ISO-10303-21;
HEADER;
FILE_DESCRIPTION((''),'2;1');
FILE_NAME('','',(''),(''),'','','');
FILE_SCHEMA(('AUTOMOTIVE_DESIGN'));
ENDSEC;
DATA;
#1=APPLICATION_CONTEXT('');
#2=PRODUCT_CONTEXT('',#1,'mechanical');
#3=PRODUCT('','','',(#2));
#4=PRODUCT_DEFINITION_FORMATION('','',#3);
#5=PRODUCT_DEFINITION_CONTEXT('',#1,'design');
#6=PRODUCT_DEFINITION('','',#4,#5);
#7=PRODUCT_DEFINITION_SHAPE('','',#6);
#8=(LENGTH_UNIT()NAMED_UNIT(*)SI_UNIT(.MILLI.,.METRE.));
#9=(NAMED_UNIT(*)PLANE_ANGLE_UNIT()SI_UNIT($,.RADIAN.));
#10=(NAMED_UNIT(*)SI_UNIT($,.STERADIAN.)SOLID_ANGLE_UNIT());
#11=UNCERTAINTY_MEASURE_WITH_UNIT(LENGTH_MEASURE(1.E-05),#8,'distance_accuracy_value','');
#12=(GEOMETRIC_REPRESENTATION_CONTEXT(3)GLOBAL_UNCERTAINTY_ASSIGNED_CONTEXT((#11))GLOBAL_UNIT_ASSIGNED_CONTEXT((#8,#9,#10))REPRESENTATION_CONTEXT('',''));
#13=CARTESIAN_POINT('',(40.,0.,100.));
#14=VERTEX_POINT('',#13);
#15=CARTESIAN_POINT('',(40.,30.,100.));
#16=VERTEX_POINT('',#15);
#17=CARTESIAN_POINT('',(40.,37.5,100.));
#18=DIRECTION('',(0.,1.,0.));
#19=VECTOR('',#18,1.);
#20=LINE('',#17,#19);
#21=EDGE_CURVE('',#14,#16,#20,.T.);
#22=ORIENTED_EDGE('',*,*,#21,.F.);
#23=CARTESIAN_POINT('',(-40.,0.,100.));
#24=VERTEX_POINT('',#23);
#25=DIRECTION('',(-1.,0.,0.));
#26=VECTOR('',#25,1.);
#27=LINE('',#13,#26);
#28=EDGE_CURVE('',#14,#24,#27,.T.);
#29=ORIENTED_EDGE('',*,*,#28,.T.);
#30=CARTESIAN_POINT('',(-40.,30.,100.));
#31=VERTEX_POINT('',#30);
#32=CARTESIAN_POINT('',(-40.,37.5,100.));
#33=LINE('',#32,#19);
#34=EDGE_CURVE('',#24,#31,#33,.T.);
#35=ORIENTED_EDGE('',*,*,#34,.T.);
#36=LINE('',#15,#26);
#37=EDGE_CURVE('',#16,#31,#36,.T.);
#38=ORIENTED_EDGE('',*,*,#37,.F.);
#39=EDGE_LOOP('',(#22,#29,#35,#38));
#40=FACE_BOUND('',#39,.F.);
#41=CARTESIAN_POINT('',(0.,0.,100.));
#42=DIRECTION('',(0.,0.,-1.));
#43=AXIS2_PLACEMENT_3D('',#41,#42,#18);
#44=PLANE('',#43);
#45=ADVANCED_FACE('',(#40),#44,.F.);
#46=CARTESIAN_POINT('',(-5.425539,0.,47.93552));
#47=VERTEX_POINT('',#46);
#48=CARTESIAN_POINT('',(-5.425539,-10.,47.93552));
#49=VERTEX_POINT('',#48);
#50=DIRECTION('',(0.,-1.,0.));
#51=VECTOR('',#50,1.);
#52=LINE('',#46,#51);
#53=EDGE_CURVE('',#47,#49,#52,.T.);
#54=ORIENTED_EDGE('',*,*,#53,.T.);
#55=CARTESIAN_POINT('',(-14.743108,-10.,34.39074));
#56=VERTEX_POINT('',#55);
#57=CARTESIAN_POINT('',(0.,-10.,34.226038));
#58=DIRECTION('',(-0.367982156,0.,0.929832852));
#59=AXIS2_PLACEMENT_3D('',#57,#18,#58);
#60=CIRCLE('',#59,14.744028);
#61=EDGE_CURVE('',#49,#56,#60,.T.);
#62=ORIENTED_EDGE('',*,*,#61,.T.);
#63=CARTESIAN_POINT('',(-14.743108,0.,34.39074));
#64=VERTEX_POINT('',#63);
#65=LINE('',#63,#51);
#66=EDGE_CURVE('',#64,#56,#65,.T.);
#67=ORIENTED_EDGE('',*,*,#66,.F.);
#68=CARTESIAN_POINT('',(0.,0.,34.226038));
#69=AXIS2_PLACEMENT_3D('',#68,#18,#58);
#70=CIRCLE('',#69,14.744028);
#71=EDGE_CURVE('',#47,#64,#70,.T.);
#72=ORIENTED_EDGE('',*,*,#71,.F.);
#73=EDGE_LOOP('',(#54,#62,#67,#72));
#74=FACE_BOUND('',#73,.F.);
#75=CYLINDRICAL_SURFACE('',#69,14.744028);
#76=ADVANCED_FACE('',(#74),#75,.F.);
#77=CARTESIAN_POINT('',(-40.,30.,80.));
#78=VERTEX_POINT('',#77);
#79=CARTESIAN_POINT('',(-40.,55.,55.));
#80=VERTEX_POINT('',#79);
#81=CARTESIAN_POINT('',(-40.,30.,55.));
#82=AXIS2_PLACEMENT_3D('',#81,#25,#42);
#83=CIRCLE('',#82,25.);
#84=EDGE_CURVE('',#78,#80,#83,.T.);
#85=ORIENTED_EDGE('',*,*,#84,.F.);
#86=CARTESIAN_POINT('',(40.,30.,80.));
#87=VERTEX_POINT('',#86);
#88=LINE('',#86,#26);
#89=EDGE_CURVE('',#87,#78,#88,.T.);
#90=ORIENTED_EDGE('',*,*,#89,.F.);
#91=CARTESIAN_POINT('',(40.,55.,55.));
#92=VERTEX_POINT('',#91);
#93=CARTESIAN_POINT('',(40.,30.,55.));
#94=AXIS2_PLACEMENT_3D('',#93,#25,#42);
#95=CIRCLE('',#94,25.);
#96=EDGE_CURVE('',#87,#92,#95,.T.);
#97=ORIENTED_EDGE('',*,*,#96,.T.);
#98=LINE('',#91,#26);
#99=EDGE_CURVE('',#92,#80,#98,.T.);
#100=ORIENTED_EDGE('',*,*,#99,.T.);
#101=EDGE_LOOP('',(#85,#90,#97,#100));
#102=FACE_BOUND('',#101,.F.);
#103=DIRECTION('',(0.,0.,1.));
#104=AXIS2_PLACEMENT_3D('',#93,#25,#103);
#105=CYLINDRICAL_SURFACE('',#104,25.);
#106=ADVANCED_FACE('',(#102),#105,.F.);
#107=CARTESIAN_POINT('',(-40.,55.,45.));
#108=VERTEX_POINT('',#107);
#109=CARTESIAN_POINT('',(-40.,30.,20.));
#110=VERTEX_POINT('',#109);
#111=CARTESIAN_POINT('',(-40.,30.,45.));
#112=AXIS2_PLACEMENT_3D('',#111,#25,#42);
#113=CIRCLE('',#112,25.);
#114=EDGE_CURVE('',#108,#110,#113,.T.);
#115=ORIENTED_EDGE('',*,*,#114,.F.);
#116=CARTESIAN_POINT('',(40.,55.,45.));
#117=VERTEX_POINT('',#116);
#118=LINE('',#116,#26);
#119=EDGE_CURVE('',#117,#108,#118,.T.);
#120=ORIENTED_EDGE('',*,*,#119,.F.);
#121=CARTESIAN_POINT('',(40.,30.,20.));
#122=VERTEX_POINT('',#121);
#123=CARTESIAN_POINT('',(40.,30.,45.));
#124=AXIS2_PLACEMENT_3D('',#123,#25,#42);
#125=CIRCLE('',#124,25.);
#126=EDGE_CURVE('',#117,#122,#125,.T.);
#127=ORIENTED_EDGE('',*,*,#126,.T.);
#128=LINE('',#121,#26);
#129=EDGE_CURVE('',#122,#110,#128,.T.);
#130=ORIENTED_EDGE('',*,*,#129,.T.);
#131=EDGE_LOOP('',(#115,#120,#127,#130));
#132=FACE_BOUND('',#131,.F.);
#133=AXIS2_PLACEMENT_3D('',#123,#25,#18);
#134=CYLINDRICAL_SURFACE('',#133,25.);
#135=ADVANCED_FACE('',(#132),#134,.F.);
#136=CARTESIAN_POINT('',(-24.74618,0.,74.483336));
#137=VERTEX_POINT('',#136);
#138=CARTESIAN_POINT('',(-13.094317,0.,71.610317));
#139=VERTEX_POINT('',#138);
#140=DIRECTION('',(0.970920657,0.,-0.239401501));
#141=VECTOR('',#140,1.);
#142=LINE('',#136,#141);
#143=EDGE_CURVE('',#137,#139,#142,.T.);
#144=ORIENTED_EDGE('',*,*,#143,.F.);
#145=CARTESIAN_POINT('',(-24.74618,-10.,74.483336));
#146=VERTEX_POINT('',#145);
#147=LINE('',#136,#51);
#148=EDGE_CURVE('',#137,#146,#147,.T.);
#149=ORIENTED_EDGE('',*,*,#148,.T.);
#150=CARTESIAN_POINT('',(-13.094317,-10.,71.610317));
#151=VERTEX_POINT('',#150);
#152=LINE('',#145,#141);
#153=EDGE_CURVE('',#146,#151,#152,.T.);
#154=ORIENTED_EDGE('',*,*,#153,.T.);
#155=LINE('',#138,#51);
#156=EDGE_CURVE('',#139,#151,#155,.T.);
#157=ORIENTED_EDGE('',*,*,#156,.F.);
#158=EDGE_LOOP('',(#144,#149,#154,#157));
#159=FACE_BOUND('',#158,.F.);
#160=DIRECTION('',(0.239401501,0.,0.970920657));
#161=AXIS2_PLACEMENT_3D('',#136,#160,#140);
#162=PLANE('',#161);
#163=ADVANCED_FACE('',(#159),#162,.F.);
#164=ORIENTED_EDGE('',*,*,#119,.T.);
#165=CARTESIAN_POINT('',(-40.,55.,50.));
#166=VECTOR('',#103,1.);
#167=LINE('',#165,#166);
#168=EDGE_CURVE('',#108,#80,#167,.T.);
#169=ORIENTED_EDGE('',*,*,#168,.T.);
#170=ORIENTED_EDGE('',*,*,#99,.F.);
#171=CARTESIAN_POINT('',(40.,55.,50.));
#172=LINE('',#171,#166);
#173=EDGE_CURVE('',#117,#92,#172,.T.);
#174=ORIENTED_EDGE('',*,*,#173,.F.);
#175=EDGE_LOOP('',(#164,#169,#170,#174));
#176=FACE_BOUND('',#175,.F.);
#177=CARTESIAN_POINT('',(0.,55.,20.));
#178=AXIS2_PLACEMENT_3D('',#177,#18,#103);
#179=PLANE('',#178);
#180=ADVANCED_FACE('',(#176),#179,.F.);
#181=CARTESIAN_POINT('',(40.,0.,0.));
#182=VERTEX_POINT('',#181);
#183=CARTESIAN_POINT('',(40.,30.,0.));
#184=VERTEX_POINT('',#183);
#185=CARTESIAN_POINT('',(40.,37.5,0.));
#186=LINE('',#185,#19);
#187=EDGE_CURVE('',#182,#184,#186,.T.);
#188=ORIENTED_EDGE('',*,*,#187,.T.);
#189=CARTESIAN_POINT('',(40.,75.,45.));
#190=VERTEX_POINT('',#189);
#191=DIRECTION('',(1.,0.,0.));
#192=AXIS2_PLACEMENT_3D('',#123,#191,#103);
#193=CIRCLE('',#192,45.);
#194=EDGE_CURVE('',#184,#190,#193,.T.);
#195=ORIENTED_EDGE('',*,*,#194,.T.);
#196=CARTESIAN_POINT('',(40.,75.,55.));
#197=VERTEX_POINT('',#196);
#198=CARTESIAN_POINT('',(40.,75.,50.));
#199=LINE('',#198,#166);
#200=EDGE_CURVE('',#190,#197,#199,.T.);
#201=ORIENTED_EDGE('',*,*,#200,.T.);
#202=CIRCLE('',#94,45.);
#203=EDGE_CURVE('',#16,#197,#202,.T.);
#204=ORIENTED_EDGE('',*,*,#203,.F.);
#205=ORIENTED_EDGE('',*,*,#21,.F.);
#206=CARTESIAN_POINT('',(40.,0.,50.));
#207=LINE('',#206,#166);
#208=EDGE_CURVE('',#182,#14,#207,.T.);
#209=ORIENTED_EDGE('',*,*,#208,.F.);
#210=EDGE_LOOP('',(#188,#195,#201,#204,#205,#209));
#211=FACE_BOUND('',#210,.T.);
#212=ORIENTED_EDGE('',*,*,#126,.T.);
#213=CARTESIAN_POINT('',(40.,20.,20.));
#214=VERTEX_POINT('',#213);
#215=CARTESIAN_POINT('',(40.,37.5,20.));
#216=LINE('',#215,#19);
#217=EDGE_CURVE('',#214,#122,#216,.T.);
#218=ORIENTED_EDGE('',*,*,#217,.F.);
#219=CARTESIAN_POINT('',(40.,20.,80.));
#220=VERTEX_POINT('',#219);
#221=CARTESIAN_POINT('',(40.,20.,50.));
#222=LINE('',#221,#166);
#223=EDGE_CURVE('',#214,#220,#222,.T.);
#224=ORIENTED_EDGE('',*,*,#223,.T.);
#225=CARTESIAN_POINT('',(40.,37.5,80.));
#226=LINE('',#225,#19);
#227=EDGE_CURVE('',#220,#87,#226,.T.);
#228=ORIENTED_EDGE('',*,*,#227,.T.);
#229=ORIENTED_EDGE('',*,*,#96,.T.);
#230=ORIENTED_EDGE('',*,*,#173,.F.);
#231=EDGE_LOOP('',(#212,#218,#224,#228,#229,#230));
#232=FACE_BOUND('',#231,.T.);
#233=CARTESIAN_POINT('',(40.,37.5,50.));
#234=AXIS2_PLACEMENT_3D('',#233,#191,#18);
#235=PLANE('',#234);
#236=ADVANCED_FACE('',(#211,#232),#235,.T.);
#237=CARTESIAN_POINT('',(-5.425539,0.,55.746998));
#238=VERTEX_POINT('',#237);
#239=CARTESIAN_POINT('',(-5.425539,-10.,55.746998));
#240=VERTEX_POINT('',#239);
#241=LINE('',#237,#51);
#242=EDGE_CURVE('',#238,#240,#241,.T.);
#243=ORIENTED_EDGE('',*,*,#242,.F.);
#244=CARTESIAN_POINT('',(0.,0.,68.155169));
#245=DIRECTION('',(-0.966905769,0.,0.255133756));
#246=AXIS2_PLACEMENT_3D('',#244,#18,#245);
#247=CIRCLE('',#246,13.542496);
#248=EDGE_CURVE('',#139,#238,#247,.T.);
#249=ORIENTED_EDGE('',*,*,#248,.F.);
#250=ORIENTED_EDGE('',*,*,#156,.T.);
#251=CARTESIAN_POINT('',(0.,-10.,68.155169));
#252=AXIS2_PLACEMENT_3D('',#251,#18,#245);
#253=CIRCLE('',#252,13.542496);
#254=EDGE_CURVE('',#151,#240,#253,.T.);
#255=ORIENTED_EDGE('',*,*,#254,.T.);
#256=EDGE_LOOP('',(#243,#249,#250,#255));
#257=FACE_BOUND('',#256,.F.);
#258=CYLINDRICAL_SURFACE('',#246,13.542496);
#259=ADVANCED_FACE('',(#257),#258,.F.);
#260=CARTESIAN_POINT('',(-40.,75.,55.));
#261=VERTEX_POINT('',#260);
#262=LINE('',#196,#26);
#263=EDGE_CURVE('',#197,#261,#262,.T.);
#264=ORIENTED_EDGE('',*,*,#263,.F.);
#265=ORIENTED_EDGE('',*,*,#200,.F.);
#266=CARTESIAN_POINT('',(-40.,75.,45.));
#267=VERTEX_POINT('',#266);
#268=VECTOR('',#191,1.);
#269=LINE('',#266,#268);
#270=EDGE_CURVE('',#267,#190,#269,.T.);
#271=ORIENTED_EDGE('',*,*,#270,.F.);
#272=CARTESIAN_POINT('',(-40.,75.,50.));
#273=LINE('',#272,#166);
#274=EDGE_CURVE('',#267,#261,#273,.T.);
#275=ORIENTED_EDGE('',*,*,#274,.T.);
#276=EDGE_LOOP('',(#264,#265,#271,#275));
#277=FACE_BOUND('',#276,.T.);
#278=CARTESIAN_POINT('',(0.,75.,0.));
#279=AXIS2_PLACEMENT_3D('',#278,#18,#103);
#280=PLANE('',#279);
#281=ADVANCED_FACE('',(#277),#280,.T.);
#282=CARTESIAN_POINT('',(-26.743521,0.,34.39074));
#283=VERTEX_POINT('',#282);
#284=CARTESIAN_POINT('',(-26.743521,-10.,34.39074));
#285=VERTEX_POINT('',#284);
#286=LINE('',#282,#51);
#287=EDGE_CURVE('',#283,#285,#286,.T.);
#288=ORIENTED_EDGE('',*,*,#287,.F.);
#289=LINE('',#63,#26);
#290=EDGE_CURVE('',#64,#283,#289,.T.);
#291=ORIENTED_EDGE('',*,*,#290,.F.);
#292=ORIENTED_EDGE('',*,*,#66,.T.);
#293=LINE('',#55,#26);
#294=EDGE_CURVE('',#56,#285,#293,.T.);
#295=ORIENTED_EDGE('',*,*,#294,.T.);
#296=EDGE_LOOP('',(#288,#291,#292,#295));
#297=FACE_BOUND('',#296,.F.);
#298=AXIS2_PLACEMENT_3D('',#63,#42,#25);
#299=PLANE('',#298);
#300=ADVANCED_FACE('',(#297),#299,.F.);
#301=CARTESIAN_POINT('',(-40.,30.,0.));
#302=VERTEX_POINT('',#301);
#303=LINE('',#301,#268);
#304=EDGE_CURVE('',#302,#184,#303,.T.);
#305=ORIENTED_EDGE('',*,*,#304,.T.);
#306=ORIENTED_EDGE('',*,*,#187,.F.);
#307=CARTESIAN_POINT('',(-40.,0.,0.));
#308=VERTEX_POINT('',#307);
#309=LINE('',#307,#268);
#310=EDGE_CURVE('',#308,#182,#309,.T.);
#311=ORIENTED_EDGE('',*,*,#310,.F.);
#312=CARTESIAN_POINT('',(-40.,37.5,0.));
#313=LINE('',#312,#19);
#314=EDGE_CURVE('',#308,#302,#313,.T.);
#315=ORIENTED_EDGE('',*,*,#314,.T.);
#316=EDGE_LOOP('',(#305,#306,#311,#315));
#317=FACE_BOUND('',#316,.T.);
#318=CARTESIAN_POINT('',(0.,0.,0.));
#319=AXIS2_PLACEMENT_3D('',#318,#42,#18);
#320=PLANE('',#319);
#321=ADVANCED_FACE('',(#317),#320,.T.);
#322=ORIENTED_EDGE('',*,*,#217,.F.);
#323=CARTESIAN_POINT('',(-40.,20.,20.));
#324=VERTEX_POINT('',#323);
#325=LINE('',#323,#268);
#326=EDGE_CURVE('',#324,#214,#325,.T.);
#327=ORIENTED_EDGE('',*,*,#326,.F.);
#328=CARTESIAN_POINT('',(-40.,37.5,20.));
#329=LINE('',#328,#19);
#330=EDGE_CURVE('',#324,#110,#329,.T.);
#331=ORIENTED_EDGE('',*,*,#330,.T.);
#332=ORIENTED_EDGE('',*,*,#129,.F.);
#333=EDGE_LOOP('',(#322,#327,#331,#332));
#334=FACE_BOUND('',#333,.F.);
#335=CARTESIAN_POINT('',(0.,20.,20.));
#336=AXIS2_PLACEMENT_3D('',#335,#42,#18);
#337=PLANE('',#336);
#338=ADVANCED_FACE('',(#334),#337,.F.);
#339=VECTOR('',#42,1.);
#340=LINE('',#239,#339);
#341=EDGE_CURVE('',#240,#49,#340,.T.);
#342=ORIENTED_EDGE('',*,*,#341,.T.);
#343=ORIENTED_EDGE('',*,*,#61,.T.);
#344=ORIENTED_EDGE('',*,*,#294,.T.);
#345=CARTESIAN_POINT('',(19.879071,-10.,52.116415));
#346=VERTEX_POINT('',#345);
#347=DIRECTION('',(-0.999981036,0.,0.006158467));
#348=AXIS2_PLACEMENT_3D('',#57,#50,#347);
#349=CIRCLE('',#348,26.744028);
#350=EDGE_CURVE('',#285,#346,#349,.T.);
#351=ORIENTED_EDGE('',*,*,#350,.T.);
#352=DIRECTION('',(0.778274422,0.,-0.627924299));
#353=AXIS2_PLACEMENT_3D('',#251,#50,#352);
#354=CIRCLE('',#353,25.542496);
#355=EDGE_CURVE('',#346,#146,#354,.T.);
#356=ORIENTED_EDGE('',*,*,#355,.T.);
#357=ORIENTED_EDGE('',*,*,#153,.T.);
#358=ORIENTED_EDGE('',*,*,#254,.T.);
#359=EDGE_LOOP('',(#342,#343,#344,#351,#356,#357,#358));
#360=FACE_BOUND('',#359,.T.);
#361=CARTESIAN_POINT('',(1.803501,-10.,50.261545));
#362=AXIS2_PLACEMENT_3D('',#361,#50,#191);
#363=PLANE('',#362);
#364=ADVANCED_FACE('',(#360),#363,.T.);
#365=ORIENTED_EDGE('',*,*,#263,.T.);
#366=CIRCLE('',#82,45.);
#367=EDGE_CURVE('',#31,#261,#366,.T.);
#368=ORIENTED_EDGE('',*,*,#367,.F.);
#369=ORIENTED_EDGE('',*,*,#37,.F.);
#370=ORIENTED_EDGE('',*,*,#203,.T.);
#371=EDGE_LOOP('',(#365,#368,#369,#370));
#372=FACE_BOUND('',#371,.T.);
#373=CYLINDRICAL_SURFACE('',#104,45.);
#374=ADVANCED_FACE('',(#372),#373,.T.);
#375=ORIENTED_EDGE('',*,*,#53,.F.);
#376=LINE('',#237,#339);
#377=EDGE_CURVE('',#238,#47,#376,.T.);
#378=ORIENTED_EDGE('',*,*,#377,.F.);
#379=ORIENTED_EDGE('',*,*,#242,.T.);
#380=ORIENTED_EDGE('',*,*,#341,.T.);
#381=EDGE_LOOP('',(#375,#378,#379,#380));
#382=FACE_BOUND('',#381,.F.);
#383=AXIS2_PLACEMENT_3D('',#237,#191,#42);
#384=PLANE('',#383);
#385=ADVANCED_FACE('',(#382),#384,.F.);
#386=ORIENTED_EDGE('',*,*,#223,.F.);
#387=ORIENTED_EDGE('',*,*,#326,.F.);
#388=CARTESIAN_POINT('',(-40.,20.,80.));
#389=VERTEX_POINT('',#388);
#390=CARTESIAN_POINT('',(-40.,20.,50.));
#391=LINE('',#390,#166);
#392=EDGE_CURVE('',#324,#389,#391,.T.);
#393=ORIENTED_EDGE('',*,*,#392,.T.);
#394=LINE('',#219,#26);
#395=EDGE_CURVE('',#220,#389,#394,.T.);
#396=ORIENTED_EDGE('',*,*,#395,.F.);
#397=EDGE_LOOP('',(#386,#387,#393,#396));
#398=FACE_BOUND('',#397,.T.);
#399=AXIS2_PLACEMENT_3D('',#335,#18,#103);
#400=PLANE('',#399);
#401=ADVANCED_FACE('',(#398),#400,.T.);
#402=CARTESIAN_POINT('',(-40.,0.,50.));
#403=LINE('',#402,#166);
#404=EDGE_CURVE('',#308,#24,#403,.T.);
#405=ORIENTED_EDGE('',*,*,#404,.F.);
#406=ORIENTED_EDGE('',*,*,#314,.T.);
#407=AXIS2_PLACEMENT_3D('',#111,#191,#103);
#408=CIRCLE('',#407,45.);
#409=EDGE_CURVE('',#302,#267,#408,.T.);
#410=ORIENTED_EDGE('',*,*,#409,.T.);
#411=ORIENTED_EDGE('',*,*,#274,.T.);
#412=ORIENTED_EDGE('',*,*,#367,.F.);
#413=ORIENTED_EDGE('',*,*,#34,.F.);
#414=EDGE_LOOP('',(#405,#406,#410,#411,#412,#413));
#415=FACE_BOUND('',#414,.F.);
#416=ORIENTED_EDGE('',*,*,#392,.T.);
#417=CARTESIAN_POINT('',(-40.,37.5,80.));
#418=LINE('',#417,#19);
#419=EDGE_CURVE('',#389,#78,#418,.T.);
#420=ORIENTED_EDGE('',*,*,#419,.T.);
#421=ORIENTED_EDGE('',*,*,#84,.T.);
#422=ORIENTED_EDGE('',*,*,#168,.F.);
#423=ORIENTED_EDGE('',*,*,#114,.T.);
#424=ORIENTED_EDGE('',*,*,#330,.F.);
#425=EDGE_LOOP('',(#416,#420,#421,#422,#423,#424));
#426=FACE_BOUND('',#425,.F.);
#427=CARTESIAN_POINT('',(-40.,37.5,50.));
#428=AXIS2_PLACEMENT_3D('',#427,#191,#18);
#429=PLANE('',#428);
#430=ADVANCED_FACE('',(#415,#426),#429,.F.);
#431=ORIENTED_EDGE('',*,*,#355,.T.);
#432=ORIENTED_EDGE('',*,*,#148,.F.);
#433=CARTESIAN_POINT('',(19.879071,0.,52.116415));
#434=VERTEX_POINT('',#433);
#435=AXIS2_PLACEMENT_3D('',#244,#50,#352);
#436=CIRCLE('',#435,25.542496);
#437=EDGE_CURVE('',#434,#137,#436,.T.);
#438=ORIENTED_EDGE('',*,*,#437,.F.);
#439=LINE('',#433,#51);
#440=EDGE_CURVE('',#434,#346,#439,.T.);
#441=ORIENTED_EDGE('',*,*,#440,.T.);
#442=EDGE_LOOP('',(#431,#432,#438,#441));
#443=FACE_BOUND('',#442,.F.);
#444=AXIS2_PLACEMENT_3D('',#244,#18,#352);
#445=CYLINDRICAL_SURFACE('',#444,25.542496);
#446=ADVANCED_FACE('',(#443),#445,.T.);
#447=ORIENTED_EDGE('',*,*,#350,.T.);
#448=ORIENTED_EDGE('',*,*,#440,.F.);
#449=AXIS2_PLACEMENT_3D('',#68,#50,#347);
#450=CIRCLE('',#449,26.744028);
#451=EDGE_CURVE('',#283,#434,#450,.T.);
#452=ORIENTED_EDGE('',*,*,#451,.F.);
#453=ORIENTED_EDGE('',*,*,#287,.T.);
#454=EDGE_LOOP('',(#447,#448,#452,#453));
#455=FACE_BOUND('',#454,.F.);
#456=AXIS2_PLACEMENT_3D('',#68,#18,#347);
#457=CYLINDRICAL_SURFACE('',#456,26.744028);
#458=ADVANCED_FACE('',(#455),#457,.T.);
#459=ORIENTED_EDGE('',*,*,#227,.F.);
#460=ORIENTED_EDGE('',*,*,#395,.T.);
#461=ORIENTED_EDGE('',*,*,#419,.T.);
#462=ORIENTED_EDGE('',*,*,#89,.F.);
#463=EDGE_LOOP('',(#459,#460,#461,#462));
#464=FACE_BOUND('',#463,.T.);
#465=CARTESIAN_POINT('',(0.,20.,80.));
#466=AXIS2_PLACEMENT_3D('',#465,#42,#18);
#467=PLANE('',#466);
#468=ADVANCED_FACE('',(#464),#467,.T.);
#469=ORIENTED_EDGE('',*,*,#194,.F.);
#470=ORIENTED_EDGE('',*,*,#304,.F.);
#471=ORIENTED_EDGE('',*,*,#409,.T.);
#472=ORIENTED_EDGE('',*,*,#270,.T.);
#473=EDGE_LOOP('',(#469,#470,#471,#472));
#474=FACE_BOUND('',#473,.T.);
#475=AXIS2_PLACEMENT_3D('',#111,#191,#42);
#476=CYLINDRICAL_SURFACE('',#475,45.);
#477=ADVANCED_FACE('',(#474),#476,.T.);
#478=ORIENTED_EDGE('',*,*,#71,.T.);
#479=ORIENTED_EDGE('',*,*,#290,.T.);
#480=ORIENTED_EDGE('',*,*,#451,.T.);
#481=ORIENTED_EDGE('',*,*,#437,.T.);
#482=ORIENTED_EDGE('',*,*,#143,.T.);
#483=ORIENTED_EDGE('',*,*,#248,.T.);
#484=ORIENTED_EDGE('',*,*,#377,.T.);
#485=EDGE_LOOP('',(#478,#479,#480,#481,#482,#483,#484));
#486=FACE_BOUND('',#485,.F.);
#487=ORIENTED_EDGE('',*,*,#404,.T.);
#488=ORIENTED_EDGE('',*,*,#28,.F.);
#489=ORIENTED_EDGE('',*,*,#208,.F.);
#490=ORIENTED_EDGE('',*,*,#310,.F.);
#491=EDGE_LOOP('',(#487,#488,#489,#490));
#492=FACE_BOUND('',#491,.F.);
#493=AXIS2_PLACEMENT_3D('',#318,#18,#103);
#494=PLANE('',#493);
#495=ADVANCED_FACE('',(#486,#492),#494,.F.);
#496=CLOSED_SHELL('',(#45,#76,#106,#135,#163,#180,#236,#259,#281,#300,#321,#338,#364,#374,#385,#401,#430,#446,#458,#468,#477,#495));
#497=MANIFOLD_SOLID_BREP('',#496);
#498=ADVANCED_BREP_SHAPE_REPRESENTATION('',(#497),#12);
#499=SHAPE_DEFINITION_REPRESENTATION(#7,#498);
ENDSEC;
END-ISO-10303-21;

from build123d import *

# Parameters (mm, degrees)
F0_W     = 75
F0_H     = 100
F0_W_2   = 35
F0_H_2   = 60
F1_DEPTH = 40
F2_R     = 25
F3_R     = 45
F5_DEPTH = 10


with BuildPart() as f1:
    # F0 (on Right) → F1 (new body, symmetric)
    with BuildSketch(Plane.YZ):
        with Locations((37.5, 50)):
            Rectangle(F0_W, F0_H)
        with Locations((37.5, 50)):
            Rectangle(F0_W_2, F0_H_2, mode=Mode.SUBTRACT)
    extrude(amount=F1_DEPTH, both=True)

    # F2
    f2_edges = [f1.edges().sort_by_distance(p)[0] for p in [
        (0, 55, 80),
        (0, 55, 20),
    ]]
    fillet(f2_edges, radius=F2_R)

    # F3
    f3_edges = [f1.edges().sort_by_distance(p)[0] for p in [
        (0, 75, 100),
        (0, 75, 0),
    ]]
    fillet(f3_edges, radius=F3_R)

    # F4 (on face) → F5 (join)
    with BuildSketch(Plane.XZ):
        with BuildLine():
            ThreePointArc((-26.743521, 34.39074), (9.504213, 9.227778), (19.879071, 52.116415))
            ThreePointArc((19.879071, 52.116415), (11.445172, 90.989948), (-24.74618, 74.483336))
            Line((-24.74618, 74.483336), (-13.094317, 71.610317))
            ThreePointArc((-13.094317, 71.610317), (12.192518, 74.049378), (-5.425539, 55.746998))
            Line((-5.425539, 55.746998), (-5.425539, 47.93552))
            ThreePointArc((-5.425539, 47.93552), (12.14738, 25.869751), (-14.743108, 34.39074))
            Line((-14.743108, 34.39074), (-26.743521, 34.39074))
        make_face()
    extrude(amount=F5_DEPTH)


solid = f1.part
